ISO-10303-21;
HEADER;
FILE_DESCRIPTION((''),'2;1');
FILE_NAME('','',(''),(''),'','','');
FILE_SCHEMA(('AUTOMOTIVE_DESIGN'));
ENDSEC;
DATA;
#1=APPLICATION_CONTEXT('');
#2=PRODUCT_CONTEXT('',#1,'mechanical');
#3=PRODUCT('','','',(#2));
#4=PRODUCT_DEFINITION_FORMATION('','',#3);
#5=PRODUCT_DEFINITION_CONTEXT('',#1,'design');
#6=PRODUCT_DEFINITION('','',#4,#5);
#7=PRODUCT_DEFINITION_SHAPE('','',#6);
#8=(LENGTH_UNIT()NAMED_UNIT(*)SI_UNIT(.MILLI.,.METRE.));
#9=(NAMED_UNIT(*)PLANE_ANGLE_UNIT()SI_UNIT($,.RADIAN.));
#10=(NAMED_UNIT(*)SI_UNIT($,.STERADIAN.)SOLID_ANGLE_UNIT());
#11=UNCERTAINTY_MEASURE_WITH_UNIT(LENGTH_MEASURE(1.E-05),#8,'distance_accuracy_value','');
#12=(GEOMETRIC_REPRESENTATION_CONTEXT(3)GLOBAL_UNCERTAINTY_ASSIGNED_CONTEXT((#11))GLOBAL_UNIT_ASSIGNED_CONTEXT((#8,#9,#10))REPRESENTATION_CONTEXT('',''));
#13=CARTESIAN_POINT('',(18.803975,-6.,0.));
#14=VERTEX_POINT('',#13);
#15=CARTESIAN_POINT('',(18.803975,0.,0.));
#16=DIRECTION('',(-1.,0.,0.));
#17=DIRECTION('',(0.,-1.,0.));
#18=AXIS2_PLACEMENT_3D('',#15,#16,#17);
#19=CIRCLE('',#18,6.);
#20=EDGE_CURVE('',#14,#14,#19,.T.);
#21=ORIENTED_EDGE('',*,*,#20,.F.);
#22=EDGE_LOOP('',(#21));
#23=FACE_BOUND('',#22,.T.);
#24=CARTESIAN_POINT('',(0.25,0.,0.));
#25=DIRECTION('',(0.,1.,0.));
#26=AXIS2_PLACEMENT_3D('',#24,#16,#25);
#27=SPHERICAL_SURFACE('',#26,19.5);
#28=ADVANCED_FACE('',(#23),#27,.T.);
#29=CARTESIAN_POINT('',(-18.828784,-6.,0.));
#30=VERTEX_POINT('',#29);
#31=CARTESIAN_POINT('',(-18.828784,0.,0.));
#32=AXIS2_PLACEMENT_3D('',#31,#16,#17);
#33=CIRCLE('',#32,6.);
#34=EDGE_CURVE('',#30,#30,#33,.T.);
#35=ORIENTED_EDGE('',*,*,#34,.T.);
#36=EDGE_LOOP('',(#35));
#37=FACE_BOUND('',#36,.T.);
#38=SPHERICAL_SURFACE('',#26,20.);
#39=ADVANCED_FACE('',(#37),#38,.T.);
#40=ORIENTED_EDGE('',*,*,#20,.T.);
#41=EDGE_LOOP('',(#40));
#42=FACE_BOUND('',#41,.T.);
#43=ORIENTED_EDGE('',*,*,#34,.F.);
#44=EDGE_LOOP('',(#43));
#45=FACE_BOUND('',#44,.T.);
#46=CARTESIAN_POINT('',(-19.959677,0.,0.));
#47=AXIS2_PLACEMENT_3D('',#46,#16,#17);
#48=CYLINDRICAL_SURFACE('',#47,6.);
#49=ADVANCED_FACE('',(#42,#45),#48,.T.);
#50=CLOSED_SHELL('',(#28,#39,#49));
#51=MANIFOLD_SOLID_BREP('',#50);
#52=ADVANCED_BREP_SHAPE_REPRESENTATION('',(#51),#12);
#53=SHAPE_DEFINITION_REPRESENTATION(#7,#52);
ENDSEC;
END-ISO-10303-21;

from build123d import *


with BuildPart() as part:
    # Эскиз1 → Повернуть1 (revolve)
    with BuildSketch(Plane.XY):
        with BuildLine():
            Line((18.803975315, 6), (-18.828784028, 6))
            ThreePointArc((-18.828784028, 6), (-19.518354516, 3.035153986), (-19.75, 0))
            Line((-19.75, 0), (19.75, 0))
            ThreePointArc((19.75, 0), (19.51204193, 3.037061191), (18.803975315, 6))
        make_face()
    revolve(axis=Axis((-19.959676553, 0, 0), (1, 0, 0)))


solid = part.part
